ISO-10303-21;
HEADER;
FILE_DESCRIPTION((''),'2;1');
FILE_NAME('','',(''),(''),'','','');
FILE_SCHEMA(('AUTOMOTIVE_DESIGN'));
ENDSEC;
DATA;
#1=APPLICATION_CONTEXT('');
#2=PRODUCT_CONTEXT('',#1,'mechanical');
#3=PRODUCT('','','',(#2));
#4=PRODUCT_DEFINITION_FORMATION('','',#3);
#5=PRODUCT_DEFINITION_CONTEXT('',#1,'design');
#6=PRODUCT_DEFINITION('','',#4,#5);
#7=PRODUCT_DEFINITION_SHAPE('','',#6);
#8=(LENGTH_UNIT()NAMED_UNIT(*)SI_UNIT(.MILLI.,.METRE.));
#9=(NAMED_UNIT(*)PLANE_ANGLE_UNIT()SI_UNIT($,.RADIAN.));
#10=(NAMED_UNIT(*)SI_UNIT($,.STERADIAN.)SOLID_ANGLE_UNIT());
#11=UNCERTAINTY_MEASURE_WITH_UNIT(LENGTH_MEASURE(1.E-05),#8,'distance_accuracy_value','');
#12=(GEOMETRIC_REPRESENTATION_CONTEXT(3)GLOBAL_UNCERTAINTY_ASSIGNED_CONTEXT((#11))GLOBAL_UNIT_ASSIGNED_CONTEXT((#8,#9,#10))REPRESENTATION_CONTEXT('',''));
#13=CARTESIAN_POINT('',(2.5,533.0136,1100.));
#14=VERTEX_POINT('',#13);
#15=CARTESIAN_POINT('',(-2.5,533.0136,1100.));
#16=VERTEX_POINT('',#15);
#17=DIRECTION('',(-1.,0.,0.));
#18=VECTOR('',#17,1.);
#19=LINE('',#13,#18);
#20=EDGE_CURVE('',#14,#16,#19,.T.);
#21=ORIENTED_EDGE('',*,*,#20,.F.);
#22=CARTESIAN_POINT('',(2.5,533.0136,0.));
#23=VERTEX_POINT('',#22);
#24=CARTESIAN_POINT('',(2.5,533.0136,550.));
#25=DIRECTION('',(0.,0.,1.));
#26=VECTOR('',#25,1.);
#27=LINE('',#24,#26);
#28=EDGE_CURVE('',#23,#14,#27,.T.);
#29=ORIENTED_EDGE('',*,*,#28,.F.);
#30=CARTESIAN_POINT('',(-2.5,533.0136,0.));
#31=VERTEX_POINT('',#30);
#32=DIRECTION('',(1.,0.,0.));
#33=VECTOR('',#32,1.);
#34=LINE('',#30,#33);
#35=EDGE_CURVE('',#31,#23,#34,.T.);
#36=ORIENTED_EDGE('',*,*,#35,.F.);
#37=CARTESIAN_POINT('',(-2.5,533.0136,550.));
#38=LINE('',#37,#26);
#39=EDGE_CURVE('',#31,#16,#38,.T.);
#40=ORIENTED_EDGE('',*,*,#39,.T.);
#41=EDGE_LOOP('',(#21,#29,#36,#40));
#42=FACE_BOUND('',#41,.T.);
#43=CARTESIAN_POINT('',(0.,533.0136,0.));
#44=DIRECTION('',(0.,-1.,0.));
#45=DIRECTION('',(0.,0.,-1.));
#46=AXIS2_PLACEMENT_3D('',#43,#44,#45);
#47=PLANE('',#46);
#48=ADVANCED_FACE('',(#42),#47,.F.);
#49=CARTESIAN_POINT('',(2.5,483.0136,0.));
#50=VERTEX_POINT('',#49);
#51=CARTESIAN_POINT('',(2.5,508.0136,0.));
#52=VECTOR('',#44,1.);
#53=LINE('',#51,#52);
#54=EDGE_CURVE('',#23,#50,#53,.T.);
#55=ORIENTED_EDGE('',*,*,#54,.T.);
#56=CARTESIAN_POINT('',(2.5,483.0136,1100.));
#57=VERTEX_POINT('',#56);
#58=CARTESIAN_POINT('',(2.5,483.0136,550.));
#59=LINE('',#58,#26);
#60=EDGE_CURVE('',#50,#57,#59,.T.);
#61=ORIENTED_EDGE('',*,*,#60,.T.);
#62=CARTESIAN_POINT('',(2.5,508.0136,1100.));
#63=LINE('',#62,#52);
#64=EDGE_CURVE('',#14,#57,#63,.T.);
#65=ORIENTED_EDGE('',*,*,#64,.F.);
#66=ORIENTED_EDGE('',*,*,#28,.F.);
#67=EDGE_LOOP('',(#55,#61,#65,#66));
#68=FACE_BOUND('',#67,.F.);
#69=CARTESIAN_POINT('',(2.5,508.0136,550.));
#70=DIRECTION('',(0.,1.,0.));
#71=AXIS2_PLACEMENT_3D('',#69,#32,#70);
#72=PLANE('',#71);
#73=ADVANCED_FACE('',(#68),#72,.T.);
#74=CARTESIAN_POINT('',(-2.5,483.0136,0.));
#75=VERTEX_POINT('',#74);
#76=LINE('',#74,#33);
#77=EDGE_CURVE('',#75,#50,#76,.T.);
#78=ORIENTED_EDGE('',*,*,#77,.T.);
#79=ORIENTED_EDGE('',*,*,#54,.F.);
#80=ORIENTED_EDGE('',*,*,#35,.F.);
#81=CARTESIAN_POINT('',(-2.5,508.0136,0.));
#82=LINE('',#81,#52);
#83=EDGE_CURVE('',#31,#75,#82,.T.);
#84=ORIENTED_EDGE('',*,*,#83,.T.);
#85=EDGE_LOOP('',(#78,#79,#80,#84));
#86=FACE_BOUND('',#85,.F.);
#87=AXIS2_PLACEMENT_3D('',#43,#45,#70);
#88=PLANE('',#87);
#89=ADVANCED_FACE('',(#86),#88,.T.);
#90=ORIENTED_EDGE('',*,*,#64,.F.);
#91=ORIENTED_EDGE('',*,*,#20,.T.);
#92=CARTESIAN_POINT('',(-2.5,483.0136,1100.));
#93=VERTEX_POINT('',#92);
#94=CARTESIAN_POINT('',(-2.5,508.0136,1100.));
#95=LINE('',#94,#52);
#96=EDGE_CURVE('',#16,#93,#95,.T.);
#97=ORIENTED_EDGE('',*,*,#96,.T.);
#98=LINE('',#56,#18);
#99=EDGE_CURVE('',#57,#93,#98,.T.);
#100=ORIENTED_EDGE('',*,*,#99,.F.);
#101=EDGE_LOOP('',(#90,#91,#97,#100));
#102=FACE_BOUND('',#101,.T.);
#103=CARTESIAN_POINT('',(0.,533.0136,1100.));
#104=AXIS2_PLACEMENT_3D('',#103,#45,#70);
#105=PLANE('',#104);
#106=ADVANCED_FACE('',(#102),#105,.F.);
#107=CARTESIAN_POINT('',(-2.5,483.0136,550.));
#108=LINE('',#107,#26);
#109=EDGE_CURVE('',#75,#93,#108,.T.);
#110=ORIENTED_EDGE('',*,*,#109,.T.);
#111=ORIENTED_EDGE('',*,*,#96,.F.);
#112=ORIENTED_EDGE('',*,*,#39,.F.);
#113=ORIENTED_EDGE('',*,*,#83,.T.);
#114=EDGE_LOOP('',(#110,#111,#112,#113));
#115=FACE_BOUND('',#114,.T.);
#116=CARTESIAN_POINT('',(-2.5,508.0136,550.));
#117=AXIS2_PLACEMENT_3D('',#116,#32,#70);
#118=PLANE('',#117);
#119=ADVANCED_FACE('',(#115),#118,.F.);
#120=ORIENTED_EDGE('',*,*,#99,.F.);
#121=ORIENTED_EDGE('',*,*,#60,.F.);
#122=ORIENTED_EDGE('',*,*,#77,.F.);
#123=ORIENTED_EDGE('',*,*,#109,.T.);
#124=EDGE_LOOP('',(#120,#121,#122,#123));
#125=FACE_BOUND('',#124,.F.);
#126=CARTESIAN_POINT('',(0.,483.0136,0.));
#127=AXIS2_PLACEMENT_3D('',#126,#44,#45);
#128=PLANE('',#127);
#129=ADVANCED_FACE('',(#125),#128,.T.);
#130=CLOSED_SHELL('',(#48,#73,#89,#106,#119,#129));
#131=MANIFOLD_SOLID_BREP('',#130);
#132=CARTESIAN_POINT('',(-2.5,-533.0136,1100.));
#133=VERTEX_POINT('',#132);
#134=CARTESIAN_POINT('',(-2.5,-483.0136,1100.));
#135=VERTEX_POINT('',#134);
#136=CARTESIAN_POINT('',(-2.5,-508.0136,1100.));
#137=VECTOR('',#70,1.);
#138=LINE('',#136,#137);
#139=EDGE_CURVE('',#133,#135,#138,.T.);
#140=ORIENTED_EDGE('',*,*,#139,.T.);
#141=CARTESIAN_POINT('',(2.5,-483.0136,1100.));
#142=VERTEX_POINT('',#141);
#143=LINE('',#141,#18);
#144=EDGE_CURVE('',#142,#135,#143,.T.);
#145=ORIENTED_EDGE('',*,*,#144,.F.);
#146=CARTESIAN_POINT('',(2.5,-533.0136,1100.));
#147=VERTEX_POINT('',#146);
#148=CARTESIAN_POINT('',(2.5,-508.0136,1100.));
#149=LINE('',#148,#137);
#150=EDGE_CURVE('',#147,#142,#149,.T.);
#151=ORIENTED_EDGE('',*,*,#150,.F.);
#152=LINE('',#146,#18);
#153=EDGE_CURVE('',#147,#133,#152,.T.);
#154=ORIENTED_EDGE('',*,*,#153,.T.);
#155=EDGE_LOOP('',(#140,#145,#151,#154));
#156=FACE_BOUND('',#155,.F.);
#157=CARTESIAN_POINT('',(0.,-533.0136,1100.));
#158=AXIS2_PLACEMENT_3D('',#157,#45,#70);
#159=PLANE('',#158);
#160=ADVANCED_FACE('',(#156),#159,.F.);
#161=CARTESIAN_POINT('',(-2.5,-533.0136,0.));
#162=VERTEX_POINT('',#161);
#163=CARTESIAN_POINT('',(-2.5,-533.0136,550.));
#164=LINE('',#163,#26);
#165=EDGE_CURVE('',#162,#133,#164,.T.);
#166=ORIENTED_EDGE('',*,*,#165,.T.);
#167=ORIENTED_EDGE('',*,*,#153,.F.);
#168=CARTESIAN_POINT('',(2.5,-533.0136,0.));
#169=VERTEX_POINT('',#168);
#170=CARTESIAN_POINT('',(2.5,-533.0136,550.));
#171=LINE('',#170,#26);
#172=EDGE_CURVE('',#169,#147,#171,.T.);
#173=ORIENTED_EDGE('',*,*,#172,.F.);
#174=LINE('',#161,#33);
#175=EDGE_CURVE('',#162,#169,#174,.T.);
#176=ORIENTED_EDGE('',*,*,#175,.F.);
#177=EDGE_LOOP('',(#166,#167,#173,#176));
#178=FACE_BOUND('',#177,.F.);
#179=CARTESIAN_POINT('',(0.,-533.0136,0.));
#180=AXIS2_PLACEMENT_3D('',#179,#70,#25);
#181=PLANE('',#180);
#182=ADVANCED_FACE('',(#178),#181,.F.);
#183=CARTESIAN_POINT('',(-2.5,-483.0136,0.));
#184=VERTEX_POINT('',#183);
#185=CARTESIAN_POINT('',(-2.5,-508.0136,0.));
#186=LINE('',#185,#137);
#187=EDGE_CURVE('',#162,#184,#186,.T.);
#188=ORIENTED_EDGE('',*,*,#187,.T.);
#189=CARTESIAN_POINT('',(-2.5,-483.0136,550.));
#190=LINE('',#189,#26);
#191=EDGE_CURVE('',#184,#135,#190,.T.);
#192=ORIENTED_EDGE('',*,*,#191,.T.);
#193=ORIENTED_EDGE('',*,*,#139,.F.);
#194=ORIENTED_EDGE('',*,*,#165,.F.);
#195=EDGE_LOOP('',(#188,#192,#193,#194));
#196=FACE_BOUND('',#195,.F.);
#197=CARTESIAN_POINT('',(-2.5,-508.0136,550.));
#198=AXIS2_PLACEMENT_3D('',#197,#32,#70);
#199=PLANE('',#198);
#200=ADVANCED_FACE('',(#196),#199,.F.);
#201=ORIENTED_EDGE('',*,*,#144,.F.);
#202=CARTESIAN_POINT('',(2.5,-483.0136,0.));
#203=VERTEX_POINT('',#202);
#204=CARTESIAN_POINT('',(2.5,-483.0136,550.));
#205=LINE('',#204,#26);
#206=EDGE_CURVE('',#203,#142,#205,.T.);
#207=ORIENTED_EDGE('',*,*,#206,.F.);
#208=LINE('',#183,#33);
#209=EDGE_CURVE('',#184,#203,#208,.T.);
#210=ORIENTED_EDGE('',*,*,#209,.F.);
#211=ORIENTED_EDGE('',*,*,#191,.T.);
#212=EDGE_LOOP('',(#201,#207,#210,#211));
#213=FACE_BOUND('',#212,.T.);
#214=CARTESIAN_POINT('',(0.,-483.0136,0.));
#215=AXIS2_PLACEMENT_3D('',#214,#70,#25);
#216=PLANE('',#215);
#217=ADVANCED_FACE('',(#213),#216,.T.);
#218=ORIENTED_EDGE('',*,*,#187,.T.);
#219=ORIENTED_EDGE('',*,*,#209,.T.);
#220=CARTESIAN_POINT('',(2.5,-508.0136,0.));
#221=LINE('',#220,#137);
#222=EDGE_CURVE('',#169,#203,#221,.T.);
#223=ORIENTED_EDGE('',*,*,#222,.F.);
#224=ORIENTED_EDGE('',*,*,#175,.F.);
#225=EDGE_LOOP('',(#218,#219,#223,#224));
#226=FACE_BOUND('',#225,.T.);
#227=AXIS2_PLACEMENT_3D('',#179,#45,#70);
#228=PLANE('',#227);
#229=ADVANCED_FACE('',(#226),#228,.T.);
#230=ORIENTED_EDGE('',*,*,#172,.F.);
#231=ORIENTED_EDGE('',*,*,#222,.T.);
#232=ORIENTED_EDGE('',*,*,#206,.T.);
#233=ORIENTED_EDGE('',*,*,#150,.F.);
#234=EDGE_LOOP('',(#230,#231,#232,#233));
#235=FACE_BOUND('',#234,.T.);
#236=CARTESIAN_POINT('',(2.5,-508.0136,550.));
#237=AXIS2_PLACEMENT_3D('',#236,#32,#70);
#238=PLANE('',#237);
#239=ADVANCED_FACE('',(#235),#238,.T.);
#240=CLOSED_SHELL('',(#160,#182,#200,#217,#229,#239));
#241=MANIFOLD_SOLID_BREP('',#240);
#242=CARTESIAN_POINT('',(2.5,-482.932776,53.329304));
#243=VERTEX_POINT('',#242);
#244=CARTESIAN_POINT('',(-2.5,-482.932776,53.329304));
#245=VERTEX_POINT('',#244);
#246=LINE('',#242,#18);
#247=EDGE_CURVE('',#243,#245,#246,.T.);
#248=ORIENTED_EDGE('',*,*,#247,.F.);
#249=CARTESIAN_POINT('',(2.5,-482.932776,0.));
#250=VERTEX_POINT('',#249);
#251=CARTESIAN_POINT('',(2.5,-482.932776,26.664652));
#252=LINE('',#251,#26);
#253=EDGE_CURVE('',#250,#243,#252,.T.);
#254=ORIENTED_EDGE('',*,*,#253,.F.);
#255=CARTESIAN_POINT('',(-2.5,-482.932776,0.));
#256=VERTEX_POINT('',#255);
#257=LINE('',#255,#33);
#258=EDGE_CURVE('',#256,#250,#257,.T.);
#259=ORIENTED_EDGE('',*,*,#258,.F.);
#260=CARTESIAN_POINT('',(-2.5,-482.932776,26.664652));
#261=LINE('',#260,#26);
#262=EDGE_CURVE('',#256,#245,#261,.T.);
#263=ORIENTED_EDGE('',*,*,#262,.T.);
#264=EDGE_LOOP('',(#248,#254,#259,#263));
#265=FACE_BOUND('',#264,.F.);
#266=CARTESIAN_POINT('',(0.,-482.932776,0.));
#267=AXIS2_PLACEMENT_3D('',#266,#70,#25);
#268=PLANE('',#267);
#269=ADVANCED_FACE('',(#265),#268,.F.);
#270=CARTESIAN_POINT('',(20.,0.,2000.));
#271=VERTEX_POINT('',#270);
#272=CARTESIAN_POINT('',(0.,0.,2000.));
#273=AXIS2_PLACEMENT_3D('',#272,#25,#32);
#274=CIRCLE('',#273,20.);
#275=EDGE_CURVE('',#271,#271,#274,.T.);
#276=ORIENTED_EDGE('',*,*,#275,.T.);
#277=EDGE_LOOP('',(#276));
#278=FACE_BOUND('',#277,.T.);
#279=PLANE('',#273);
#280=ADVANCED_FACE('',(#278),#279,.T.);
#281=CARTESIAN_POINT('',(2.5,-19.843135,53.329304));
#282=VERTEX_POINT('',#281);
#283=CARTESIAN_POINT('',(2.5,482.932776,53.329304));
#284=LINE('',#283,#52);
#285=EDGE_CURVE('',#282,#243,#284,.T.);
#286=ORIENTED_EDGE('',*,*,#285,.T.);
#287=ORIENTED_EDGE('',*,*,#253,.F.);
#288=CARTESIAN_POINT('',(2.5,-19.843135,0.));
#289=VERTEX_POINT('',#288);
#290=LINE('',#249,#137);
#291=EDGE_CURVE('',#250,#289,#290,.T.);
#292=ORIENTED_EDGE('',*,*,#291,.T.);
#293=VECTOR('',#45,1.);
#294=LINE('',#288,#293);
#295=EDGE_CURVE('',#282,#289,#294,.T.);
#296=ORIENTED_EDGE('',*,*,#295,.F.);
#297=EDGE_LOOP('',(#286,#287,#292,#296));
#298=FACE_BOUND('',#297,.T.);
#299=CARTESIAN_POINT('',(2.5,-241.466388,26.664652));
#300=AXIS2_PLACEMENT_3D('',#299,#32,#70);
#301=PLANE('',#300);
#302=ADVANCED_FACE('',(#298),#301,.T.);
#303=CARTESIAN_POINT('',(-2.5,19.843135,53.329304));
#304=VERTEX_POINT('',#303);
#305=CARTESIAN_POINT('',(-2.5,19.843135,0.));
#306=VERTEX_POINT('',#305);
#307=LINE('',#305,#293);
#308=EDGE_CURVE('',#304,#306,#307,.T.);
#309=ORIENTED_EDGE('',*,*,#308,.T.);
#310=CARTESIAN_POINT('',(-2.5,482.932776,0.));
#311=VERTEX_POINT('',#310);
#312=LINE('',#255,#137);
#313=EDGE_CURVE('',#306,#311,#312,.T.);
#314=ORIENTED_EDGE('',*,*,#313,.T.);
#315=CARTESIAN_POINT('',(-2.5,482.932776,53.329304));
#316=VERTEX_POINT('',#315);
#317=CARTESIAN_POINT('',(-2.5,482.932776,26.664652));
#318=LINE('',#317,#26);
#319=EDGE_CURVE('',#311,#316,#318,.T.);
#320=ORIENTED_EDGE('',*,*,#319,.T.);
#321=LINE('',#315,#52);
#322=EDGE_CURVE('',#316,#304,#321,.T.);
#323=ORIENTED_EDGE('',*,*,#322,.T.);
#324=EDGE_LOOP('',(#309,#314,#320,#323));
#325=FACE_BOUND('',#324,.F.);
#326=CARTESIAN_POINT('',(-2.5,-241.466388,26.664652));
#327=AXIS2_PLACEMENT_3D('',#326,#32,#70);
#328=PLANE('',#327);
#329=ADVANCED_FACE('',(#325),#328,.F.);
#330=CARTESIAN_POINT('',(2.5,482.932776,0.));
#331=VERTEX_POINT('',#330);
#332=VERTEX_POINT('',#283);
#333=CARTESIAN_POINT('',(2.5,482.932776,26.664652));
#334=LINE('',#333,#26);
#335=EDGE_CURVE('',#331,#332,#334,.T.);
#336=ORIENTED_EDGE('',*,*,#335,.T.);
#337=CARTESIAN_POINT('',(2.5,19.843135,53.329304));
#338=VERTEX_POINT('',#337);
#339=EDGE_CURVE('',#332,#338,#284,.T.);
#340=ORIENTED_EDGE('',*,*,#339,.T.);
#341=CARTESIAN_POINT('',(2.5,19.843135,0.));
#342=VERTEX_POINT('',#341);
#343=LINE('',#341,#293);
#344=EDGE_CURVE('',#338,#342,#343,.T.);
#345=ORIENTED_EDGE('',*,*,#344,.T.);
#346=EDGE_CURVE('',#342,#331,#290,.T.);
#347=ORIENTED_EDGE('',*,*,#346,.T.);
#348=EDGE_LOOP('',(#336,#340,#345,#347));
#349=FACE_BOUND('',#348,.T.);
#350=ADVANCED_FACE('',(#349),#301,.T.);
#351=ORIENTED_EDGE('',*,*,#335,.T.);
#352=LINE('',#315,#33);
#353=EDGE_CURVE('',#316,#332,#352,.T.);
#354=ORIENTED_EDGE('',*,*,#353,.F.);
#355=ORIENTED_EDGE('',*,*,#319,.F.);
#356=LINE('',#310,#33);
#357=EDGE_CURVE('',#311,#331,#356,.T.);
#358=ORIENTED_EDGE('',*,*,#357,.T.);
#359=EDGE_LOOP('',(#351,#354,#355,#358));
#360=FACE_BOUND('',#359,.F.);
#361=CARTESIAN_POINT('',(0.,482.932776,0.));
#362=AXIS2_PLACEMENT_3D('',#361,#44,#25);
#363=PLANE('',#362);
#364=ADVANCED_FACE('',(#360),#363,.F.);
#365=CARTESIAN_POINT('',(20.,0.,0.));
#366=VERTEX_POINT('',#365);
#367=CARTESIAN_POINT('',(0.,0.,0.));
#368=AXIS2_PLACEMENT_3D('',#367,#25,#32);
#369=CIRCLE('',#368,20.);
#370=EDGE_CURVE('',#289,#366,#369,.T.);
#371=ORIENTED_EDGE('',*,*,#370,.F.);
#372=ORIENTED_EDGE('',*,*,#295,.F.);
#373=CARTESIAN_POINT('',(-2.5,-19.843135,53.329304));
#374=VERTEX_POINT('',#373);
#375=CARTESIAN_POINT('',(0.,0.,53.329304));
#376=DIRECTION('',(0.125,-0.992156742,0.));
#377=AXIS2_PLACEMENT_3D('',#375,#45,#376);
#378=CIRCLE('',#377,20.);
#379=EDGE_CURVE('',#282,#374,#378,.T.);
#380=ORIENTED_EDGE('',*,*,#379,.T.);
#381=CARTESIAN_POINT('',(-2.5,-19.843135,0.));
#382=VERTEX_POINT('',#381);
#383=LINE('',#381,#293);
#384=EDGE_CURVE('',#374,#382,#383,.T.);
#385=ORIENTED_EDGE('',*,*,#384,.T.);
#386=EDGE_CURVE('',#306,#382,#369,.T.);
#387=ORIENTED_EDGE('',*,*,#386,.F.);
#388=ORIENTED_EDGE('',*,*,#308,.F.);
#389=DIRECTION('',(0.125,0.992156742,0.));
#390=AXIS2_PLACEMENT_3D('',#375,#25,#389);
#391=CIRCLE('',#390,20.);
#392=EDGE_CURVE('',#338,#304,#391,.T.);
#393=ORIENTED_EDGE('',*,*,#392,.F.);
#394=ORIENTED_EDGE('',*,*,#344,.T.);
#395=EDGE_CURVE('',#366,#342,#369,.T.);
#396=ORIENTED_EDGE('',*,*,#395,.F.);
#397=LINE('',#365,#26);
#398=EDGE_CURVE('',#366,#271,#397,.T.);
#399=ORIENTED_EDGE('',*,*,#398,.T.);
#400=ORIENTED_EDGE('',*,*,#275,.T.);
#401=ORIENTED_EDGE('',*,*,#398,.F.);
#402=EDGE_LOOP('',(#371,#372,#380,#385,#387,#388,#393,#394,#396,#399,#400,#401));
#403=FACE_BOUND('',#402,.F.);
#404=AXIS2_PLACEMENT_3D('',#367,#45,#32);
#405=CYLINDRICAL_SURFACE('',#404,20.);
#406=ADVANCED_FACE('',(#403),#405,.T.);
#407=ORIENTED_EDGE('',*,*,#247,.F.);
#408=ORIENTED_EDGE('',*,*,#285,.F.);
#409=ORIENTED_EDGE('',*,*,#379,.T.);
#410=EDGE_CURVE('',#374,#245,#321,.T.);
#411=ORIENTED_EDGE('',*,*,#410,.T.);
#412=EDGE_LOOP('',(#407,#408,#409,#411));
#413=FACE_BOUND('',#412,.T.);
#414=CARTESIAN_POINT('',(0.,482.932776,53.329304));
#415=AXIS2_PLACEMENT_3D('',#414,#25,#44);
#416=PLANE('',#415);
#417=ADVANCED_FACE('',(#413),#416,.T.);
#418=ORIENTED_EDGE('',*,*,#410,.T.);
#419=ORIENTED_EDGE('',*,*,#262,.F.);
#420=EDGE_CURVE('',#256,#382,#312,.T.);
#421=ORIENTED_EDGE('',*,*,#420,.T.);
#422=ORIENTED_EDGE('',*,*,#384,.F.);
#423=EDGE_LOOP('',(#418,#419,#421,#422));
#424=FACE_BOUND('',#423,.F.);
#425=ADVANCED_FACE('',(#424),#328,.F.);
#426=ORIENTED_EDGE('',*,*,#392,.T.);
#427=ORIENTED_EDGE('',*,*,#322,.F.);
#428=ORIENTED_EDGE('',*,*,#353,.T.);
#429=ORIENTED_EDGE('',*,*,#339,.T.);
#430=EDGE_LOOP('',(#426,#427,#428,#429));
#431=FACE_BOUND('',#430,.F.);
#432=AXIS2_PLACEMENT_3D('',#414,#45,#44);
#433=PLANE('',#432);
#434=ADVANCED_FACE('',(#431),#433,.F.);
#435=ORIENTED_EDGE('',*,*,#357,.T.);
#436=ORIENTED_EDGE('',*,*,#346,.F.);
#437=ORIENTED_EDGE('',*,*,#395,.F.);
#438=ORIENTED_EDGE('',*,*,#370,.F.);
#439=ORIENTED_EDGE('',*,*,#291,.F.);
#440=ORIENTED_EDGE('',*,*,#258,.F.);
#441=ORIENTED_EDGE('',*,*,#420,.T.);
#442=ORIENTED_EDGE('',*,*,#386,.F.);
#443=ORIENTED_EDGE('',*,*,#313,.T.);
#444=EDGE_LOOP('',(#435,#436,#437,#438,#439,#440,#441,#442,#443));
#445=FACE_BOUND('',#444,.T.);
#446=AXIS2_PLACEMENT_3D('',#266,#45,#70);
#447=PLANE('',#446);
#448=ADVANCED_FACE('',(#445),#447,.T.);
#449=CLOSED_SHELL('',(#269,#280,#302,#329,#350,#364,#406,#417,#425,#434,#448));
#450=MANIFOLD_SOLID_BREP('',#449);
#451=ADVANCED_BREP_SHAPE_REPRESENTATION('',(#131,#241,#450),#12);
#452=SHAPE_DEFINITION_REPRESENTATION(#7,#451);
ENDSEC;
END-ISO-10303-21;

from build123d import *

# Parameters (mm, degrees)
F0_R      = 20
F1_DEPTH  = 2000
F2_W      = 482.932776
F2_H      = 53.329304
F3_DEPTH  = 2.5
F4_DEPTH  = 2.5
F5_W      = 50
F5_H      = 1100
F6_DEPTH  = 2.5
F6_FACE_W = 50
F6_FACE_H = 1100
F7_DEPTH  = 2.5
F8_DEPTH  = 2.5


with BuildPart() as f1:
    # F0 (on Top) → F1 (new body)
    with BuildSketch(Plane.XY):
        Circle(F0_R)
    extrude(amount=F1_DEPTH)

    # F2 (on Right) → F3 (join)
    with BuildSketch(Plane.YZ):
        with Locations((-241.466388, 26.664652)):
            Rectangle(F2_W, F2_H)
        with Locations((241.466388, 26.664652)):
            Rectangle(F2_W, F2_H)
    extrude(amount=F3_DEPTH)

    # F2 (on Right) → F4 (join)
    with BuildSketch(Plane.YZ):
        with Locations((-241.466388, 26.664652)):
            Rectangle(F2_W, F2_H)
        with Locations((241.466388, 26.664652)):
            Rectangle(F2_W, F2_H)
    extrude(amount=-F4_DEPTH)


with BuildPart() as f6:
    # F5 (on Right) → F6 (new body)
    with BuildSketch(Plane.YZ):
        with Locations((-508.0136, 550)):
            Rectangle(F5_W, F5_H)
    extrude(amount=F6_DEPTH)

    # F6_face (on face) → F7 (join)
    with BuildSketch(Plane(origin=(2.5, -508.0136, 550), x_dir=(0, 1, 0), z_dir=(1, 0, 0))):
        Rectangle(F6_FACE_W, F6_FACE_H)
    extrude(amount=-F7_DEPTH)

    # F5 (on Right) → F8 (join)
    with BuildSketch(Plane.YZ):
        with Locations((-508.0136, 550)):
            Rectangle(F5_W, F5_H)
    extrude(amount=-F8_DEPTH)


with BuildPart() as f9_1:
    # F9: instance of F6
    add(f6.part.mirror(Plane.XZ))


solid = Compound([f1.part, f6.part, f9_1.part])
